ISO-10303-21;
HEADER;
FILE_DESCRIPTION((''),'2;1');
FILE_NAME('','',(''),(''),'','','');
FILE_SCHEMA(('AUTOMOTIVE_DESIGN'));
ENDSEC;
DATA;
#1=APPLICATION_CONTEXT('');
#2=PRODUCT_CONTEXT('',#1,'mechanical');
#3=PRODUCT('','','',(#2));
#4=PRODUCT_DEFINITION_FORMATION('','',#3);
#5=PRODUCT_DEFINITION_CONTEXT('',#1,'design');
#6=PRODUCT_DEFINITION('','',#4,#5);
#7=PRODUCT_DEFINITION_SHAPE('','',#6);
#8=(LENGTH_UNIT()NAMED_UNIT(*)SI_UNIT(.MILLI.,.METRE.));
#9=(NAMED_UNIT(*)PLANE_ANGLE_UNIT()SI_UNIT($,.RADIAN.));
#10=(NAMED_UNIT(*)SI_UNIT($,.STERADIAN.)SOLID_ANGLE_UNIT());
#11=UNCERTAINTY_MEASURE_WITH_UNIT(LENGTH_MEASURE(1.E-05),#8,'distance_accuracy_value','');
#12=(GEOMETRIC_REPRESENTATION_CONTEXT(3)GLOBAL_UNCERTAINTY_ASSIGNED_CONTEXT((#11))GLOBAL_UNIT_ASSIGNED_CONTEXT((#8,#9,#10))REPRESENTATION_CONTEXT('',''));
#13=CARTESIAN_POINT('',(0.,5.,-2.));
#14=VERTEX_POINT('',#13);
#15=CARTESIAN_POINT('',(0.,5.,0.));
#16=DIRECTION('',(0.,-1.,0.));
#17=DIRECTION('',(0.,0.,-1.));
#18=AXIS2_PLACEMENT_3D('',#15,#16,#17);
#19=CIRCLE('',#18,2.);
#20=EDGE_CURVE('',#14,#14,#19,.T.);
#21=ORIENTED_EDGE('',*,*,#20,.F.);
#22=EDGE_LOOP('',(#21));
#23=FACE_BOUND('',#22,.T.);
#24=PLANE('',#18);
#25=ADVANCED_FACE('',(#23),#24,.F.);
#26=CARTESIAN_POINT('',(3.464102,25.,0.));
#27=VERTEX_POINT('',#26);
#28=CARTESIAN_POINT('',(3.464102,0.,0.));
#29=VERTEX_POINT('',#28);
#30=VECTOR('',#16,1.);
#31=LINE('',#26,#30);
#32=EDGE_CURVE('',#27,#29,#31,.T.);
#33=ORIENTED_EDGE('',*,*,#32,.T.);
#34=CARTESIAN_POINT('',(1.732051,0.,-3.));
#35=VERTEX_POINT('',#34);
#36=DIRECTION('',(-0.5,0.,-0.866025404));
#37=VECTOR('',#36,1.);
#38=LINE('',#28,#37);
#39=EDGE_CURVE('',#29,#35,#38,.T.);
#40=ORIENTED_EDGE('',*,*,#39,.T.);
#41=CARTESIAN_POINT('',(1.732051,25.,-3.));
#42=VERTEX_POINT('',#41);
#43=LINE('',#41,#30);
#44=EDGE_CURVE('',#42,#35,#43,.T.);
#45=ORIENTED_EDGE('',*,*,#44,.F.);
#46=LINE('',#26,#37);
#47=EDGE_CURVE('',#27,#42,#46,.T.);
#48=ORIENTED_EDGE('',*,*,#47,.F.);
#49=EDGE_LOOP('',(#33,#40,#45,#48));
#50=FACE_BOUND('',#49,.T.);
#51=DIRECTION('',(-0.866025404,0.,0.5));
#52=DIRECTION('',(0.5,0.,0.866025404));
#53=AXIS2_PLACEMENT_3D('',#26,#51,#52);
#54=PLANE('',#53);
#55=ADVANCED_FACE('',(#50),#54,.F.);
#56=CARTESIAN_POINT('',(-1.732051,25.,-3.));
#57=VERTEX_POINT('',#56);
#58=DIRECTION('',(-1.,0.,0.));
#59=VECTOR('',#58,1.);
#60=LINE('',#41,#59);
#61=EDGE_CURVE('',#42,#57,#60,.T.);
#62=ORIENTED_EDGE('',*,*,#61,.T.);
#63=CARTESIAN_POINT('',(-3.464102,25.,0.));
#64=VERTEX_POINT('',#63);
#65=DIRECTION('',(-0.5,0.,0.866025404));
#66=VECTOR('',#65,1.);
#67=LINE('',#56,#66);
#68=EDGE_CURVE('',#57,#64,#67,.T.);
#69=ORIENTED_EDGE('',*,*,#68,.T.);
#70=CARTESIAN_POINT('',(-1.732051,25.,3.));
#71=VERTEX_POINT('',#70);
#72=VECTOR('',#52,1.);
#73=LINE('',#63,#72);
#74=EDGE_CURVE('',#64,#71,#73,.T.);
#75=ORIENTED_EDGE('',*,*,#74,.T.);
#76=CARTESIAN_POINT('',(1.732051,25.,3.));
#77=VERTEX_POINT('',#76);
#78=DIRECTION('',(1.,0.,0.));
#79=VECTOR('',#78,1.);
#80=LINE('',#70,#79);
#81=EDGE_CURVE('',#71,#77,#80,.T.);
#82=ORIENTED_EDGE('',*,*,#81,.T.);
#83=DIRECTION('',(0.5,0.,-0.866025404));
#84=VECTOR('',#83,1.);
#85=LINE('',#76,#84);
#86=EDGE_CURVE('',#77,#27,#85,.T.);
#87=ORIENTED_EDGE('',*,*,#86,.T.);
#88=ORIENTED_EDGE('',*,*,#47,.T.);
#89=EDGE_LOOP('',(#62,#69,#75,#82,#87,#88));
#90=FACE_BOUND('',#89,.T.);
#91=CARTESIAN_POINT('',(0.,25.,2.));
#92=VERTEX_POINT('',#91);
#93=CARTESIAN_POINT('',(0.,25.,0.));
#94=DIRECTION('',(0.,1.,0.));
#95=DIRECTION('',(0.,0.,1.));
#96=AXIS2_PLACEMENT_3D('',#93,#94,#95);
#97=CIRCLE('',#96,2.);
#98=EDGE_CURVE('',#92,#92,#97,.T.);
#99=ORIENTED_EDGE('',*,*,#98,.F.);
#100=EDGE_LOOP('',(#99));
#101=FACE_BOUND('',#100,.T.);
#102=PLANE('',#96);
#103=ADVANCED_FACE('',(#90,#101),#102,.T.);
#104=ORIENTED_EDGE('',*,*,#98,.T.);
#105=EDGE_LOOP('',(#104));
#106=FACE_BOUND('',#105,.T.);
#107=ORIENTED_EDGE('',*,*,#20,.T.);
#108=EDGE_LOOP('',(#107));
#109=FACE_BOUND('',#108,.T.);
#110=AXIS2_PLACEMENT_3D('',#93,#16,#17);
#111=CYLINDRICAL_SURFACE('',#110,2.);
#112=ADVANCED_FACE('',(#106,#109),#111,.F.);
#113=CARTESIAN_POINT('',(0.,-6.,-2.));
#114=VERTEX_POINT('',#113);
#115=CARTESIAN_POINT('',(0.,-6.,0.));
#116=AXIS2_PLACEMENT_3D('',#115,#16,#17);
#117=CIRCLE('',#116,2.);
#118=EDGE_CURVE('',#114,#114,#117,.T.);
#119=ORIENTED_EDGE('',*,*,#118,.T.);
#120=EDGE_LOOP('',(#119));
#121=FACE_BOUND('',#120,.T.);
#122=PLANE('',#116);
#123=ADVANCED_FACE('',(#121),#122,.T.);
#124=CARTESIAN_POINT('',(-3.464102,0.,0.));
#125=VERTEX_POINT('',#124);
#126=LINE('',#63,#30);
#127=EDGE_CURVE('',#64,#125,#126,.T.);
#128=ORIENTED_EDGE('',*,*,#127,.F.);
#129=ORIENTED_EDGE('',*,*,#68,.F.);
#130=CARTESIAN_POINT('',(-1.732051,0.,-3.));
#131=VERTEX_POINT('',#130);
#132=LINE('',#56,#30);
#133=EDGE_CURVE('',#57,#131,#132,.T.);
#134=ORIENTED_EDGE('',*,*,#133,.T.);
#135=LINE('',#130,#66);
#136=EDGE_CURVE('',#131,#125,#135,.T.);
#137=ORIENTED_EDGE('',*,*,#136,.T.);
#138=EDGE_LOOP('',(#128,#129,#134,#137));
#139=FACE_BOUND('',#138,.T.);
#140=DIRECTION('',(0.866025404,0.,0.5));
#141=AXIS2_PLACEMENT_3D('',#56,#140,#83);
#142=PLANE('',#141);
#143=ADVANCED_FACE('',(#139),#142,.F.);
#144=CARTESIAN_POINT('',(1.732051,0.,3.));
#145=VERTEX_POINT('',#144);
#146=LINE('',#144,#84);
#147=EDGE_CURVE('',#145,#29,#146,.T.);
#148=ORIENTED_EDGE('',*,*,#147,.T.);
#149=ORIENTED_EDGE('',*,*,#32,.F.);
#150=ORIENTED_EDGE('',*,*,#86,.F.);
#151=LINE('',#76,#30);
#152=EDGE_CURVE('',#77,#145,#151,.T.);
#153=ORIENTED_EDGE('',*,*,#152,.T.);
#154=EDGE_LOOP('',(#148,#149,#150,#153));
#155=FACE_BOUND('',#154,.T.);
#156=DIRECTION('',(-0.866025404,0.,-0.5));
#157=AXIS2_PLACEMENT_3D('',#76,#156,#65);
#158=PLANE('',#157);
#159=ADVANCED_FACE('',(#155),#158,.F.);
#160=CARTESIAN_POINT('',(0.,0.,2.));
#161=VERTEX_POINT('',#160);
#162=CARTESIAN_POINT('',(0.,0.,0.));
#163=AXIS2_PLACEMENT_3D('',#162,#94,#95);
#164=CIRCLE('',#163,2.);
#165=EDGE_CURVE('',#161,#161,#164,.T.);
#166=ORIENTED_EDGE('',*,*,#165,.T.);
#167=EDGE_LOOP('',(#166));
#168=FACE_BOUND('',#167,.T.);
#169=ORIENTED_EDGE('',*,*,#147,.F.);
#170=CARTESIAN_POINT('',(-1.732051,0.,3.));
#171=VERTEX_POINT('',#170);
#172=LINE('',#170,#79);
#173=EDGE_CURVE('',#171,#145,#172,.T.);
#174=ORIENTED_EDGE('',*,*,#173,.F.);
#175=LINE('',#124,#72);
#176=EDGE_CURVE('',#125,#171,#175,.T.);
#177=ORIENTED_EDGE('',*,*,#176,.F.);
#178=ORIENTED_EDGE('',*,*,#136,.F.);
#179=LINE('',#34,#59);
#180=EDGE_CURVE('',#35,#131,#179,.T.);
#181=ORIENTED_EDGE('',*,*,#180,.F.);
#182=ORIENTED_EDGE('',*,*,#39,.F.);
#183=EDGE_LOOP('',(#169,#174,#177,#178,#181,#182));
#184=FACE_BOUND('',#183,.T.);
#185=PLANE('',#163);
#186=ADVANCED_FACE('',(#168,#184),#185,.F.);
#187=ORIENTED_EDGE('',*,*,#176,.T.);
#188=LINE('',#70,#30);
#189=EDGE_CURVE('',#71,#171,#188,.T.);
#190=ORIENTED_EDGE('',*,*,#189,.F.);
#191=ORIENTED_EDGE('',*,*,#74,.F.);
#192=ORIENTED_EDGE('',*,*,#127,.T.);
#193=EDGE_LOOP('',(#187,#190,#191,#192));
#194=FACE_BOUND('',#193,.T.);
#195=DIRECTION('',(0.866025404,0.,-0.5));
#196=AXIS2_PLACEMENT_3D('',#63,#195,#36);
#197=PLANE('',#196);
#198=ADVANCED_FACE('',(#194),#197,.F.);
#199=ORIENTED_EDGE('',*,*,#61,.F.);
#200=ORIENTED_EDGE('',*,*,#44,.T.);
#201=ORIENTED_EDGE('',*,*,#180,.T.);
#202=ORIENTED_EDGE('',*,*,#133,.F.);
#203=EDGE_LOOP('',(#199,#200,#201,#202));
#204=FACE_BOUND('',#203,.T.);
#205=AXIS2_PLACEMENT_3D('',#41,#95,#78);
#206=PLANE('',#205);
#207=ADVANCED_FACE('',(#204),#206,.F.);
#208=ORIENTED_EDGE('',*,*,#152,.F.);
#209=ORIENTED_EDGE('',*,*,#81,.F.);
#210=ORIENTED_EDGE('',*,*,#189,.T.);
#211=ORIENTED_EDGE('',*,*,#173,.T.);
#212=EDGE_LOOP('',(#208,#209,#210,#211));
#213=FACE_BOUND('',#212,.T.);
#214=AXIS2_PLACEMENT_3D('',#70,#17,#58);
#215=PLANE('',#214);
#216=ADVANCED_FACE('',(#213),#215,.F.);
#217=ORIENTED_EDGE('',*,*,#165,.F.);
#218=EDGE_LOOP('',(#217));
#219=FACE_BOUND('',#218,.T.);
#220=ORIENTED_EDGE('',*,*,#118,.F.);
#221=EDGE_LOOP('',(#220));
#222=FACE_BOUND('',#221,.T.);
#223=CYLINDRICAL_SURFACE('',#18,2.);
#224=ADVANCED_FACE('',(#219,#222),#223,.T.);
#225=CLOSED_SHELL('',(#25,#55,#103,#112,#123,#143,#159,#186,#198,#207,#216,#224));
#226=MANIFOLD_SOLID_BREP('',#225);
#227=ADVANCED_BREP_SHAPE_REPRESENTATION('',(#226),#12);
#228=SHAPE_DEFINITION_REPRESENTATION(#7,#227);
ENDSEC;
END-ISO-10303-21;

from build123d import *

# Parameters (mm, degrees)
SKETCH_1_R           = 2
EXTRUDE_1_DEPTH      = 25
EXTRUDE_2_DEPTH      = 6
EXTRUDE_2_DEPTH_BACK = 5
SKETCH_2_R           = 2


with BuildPart() as part:
    # 草图1 → 凸台-拉伸1 (new body)
    with BuildSketch(Plane(origin=(0, 0, 0), x_dir=(1, 0, 0), z_dir=(0, 1, 0))):
        Polygon((3.464101615, 0), (1.732050808, 3), (-1.732050808, 3), (-3.464101615, 0), (-1.732050808, -3), (1.732050808, -3), align=None)
        with Locations(Location((0, 0, 0), (0, 0, 270))):
            Circle(SKETCH_1_R, mode=Mode.SUBTRACT)
    extrude(amount=EXTRUDE_1_DEPTH)

    # 草图2 → 凸台-拉伸2 (add, two sides: drawn at the far end of the back side and taken through both)
    with BuildSketch(Plane.XZ.offset(-EXTRUDE_2_DEPTH_BACK)):
        with Locations(Location((0, 0, 0), (0, 0, 270))):
            Circle(SKETCH_2_R)
    extrude(amount=EXTRUDE_2_DEPTH + EXTRUDE_2_DEPTH_BACK)


solid = part.part
